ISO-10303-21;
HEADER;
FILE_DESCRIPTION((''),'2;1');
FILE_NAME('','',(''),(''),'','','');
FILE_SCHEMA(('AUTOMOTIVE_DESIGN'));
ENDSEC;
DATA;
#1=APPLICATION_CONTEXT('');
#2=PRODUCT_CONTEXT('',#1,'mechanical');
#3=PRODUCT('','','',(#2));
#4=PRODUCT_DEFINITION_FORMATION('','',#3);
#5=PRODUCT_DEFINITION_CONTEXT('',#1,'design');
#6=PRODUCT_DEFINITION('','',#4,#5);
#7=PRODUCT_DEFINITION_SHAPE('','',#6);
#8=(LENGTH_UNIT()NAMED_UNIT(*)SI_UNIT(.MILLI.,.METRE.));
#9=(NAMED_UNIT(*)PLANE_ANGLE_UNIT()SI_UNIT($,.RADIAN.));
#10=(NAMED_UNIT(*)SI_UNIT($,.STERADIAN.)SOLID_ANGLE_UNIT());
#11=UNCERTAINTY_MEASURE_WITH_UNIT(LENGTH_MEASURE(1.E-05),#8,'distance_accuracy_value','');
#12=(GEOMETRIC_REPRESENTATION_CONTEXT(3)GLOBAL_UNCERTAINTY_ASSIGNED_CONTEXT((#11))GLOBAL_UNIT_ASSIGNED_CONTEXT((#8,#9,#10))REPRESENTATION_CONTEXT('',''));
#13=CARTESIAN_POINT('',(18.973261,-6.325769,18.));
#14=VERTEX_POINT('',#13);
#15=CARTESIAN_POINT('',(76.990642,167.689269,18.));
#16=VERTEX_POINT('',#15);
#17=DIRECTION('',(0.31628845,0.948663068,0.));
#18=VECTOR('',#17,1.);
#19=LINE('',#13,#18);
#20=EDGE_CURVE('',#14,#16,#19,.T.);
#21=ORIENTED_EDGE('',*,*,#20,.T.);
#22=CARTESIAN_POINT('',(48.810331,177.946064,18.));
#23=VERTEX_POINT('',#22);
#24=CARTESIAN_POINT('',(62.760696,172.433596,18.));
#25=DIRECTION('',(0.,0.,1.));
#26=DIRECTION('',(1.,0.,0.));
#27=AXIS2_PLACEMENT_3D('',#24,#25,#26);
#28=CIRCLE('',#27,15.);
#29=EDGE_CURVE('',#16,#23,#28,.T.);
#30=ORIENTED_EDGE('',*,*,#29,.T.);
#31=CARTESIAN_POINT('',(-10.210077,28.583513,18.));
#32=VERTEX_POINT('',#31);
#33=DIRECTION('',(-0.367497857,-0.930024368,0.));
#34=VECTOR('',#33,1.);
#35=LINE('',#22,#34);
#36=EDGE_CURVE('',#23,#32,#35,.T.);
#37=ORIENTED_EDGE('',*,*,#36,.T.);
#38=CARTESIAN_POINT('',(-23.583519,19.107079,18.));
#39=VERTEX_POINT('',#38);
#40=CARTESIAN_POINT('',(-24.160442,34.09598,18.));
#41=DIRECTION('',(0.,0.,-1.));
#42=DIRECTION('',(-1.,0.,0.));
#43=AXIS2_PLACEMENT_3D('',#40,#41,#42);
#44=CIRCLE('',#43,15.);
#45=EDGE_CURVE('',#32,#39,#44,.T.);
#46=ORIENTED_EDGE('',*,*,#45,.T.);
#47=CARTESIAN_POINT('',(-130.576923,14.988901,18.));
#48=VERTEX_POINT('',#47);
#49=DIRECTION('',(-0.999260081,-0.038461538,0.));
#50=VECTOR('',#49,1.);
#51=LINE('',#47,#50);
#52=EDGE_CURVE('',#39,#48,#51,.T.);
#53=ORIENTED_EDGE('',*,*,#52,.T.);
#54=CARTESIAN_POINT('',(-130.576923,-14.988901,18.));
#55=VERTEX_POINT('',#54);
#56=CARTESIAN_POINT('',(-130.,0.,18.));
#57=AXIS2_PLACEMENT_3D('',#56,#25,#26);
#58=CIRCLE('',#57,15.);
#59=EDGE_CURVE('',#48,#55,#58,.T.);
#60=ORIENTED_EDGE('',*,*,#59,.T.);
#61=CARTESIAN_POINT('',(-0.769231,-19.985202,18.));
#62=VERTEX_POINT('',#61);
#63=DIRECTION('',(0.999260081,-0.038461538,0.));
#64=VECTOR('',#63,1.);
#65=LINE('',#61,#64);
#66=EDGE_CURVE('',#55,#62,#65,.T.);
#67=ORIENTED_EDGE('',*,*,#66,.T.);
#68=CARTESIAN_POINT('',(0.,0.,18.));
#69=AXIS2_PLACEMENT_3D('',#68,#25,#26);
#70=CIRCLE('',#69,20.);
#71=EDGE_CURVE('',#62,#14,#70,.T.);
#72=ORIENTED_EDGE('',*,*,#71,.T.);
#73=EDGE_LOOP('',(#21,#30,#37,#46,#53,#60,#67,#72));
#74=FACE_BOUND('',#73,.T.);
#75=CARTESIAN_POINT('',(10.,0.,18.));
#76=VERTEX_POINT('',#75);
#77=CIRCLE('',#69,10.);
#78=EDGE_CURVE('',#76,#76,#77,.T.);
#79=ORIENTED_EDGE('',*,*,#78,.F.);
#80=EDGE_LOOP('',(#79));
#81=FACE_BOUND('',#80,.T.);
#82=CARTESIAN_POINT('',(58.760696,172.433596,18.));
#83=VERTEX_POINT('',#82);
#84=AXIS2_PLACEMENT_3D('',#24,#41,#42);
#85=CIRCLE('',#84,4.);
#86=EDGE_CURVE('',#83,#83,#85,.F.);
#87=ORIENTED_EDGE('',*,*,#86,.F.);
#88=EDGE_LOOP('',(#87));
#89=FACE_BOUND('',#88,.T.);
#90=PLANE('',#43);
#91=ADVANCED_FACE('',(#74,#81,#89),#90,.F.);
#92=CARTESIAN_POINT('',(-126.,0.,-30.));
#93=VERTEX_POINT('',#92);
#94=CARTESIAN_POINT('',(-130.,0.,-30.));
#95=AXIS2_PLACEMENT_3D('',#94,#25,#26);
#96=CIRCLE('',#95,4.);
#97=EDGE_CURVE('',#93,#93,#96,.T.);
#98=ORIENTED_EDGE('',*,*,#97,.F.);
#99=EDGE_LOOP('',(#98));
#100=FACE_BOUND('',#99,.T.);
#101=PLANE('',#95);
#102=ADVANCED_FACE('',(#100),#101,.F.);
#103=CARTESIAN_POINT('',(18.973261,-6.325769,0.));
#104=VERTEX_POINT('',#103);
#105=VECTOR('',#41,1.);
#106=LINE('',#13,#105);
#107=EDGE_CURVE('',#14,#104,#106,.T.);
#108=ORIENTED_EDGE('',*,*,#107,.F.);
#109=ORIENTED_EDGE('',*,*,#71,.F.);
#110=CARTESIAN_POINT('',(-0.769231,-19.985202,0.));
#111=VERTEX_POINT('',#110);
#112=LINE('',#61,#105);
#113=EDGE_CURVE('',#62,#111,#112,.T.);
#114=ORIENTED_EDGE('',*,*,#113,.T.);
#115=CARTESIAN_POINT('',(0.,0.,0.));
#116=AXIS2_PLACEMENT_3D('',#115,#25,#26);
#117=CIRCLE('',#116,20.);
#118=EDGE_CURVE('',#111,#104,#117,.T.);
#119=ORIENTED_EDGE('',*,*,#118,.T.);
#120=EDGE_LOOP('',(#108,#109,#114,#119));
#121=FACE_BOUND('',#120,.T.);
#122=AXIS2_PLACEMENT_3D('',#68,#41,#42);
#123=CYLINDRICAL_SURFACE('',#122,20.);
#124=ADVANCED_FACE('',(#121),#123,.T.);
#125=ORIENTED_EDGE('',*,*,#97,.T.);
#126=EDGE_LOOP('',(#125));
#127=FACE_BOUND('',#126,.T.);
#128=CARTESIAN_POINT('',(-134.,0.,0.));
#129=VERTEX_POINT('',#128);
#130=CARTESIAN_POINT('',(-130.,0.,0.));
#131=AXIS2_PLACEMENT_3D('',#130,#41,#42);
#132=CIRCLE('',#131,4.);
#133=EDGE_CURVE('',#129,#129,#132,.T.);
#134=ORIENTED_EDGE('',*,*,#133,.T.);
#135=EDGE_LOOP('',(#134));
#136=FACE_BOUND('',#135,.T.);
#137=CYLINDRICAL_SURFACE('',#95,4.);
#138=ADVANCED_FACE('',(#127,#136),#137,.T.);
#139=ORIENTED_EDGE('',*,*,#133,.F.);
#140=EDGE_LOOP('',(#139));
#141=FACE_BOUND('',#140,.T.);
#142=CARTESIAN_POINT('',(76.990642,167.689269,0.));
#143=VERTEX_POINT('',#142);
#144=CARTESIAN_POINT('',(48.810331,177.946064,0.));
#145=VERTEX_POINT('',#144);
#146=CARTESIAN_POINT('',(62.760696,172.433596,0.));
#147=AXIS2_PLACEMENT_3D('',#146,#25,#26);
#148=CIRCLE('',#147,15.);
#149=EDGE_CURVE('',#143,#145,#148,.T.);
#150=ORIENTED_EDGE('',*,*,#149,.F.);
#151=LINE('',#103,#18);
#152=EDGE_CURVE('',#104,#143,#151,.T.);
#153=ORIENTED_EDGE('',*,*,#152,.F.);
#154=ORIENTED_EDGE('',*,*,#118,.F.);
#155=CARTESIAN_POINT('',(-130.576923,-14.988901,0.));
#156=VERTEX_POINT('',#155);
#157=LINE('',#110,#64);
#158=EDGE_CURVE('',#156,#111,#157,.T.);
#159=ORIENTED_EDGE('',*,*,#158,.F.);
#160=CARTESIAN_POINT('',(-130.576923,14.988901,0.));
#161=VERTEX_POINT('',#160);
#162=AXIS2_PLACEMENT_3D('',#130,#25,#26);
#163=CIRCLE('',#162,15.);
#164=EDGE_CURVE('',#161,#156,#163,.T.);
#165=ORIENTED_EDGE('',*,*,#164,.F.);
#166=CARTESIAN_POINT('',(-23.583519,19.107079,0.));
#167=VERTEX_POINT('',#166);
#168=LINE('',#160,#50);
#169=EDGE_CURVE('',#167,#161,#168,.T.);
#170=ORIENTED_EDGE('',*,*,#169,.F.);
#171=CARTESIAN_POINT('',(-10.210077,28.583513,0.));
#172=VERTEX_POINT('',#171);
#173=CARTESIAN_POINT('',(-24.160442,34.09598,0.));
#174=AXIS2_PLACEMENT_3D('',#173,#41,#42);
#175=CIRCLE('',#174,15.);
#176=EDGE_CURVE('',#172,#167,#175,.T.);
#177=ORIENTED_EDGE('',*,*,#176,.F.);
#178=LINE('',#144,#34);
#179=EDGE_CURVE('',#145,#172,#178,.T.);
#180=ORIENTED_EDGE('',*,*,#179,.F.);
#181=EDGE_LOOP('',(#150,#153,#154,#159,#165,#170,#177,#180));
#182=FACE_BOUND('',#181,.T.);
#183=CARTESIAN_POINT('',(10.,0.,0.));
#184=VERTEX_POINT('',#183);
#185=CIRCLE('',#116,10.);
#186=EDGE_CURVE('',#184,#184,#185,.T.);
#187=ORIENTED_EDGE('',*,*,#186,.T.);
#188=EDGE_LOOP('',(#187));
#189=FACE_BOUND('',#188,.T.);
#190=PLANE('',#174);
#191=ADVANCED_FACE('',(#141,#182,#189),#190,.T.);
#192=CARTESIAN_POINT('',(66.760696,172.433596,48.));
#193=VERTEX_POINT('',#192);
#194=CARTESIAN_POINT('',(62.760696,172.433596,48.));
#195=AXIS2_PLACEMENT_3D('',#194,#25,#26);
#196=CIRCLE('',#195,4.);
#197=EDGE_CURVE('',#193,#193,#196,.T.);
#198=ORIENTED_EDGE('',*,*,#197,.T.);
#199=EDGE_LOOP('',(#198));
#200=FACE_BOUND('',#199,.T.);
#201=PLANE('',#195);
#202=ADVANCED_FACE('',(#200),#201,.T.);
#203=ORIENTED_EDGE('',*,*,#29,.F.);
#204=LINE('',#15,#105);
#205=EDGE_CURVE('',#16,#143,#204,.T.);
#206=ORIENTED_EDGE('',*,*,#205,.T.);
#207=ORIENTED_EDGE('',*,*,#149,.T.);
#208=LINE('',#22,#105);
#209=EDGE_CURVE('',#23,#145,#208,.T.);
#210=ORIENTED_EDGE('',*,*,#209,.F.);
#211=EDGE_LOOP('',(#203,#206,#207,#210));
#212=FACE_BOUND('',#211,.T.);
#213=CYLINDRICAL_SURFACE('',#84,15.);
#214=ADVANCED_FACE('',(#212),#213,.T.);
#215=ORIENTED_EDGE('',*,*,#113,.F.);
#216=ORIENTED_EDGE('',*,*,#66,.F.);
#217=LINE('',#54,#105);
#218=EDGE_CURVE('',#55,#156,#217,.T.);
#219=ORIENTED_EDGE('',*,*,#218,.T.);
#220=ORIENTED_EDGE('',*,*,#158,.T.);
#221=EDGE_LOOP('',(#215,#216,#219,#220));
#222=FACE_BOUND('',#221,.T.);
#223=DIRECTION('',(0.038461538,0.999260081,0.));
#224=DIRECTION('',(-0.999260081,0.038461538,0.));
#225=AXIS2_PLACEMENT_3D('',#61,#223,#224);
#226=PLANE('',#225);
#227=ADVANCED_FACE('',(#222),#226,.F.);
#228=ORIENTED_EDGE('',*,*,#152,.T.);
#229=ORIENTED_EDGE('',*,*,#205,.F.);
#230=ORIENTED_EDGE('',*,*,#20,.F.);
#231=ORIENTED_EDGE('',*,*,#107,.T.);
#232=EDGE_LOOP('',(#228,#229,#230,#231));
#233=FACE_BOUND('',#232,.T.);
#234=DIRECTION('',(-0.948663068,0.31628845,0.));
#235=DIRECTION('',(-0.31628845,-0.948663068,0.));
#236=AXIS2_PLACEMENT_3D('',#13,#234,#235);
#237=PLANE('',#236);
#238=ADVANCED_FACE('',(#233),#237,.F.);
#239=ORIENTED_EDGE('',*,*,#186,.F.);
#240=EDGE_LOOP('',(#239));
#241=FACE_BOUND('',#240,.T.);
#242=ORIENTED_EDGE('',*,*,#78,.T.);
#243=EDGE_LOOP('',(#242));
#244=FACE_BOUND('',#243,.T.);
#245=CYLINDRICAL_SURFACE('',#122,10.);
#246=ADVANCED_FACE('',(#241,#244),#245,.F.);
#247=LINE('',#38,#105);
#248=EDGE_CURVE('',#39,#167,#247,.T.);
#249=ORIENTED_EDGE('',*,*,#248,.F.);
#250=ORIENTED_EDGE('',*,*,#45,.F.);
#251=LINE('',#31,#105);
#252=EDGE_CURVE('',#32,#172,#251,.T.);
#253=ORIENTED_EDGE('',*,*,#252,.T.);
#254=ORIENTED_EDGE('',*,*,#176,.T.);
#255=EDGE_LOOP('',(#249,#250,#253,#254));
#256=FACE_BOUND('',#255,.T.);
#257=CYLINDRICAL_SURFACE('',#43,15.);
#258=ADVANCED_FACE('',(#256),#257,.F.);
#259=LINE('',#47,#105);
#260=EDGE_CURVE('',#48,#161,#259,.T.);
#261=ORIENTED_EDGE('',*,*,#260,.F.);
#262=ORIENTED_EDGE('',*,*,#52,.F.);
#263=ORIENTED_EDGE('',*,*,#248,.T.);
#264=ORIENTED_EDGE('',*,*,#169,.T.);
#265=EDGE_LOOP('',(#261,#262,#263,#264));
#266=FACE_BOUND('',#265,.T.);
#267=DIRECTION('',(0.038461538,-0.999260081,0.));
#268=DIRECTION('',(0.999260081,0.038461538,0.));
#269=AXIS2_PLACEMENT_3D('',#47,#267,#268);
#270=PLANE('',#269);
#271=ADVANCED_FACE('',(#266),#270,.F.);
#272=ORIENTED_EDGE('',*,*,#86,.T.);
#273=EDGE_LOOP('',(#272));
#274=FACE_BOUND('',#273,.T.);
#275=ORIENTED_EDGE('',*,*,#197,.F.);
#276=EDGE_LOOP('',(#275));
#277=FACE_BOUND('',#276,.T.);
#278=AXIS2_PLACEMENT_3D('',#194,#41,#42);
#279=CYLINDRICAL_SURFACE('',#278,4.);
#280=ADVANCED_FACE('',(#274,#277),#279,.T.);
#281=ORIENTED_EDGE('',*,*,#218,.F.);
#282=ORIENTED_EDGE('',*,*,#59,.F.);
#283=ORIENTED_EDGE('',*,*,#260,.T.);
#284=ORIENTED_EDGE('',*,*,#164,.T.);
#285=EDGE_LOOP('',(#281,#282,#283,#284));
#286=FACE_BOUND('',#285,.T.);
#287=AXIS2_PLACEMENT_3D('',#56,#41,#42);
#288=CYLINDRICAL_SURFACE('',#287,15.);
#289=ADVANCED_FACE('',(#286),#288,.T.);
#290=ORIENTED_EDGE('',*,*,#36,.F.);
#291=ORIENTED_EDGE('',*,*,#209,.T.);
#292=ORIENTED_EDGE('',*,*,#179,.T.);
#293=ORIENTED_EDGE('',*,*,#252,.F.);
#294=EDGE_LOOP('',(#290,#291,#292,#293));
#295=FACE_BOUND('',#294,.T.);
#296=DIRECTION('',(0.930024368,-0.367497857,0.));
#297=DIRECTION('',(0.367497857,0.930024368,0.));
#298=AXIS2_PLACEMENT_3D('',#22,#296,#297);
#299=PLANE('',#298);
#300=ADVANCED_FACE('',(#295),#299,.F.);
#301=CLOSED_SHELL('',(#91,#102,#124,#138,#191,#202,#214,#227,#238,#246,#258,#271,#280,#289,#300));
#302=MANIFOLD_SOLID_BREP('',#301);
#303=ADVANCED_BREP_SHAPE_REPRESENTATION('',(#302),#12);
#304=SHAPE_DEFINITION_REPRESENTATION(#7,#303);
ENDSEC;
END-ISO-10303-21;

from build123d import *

# Parameters (mm, degrees)
EXTRUDE_1_DEPTH     = 18
SKETCH_2_R          = 10
CUT_EXTRUDE_1_DEPTH = 18
SKETCH_3_R          = 4
EXTRUDE_2_DEPTH     = 30
SKETCH_4_R          = 4
EXTRUDE_3_DEPTH     = 30


with BuildPart() as part:
    # 草图1 → 凸台-拉伸1 (new body)
    with BuildSketch(Plane.XY):
        with BuildLine():
            Line((-0.769230769, -19.985201626), (-130.576923077, -14.988901219))
            ThreePointArc((-130.576923077, -14.988901219), (-145, 0), (-130.576923077, 14.988901219))
            Line((-130.576923077, 14.988901219), (-23.583519409, 19.107079247))
            ThreePointArc((-23.583519409, 19.107079247), (-15.488001892, 21.85715805), (-10.210076964, 28.583512616))
            Line((-10.210076964, 28.583512616), (48.810330778, 177.946063765))
            ThreePointArc((48.810330778, 177.946063765), (67.89099845, 186.528985226), (76.990642321, 167.689269171))
            Line((76.990642321, 167.689269171), (18.973261361, -6.325768991))
            ThreePointArc((18.973261361, -6.325768991), (11.379442316, -16.447136303), (-0.769230769, -19.985201626))
        make_face()
    extrude(amount=EXTRUDE_1_DEPTH)

    # 草图2 → 切除-拉伸1 (cut)
    with BuildSketch(Plane.XY):
        Circle(SKETCH_2_R)
    extrude(amount=CUT_EXTRUDE_1_DEPTH, mode=Mode.SUBTRACT)

    # 草图3 → 凸台-拉伸2 (add)
    with BuildSketch(Plane.XY):
        with Locations((-130, 0)):
            Circle(SKETCH_3_R)
    extrude(amount=-EXTRUDE_2_DEPTH)

    # 草图4 → 凸台-拉伸3 (add)
    with BuildSketch(Plane.XY.offset(18)):
        with Locations(Location((62.7606963, 172.433595914, 0), (0, 0, 180))):
            Circle(SKETCH_4_R)
    extrude(amount=EXTRUDE_3_DEPTH)


solid = part.part
